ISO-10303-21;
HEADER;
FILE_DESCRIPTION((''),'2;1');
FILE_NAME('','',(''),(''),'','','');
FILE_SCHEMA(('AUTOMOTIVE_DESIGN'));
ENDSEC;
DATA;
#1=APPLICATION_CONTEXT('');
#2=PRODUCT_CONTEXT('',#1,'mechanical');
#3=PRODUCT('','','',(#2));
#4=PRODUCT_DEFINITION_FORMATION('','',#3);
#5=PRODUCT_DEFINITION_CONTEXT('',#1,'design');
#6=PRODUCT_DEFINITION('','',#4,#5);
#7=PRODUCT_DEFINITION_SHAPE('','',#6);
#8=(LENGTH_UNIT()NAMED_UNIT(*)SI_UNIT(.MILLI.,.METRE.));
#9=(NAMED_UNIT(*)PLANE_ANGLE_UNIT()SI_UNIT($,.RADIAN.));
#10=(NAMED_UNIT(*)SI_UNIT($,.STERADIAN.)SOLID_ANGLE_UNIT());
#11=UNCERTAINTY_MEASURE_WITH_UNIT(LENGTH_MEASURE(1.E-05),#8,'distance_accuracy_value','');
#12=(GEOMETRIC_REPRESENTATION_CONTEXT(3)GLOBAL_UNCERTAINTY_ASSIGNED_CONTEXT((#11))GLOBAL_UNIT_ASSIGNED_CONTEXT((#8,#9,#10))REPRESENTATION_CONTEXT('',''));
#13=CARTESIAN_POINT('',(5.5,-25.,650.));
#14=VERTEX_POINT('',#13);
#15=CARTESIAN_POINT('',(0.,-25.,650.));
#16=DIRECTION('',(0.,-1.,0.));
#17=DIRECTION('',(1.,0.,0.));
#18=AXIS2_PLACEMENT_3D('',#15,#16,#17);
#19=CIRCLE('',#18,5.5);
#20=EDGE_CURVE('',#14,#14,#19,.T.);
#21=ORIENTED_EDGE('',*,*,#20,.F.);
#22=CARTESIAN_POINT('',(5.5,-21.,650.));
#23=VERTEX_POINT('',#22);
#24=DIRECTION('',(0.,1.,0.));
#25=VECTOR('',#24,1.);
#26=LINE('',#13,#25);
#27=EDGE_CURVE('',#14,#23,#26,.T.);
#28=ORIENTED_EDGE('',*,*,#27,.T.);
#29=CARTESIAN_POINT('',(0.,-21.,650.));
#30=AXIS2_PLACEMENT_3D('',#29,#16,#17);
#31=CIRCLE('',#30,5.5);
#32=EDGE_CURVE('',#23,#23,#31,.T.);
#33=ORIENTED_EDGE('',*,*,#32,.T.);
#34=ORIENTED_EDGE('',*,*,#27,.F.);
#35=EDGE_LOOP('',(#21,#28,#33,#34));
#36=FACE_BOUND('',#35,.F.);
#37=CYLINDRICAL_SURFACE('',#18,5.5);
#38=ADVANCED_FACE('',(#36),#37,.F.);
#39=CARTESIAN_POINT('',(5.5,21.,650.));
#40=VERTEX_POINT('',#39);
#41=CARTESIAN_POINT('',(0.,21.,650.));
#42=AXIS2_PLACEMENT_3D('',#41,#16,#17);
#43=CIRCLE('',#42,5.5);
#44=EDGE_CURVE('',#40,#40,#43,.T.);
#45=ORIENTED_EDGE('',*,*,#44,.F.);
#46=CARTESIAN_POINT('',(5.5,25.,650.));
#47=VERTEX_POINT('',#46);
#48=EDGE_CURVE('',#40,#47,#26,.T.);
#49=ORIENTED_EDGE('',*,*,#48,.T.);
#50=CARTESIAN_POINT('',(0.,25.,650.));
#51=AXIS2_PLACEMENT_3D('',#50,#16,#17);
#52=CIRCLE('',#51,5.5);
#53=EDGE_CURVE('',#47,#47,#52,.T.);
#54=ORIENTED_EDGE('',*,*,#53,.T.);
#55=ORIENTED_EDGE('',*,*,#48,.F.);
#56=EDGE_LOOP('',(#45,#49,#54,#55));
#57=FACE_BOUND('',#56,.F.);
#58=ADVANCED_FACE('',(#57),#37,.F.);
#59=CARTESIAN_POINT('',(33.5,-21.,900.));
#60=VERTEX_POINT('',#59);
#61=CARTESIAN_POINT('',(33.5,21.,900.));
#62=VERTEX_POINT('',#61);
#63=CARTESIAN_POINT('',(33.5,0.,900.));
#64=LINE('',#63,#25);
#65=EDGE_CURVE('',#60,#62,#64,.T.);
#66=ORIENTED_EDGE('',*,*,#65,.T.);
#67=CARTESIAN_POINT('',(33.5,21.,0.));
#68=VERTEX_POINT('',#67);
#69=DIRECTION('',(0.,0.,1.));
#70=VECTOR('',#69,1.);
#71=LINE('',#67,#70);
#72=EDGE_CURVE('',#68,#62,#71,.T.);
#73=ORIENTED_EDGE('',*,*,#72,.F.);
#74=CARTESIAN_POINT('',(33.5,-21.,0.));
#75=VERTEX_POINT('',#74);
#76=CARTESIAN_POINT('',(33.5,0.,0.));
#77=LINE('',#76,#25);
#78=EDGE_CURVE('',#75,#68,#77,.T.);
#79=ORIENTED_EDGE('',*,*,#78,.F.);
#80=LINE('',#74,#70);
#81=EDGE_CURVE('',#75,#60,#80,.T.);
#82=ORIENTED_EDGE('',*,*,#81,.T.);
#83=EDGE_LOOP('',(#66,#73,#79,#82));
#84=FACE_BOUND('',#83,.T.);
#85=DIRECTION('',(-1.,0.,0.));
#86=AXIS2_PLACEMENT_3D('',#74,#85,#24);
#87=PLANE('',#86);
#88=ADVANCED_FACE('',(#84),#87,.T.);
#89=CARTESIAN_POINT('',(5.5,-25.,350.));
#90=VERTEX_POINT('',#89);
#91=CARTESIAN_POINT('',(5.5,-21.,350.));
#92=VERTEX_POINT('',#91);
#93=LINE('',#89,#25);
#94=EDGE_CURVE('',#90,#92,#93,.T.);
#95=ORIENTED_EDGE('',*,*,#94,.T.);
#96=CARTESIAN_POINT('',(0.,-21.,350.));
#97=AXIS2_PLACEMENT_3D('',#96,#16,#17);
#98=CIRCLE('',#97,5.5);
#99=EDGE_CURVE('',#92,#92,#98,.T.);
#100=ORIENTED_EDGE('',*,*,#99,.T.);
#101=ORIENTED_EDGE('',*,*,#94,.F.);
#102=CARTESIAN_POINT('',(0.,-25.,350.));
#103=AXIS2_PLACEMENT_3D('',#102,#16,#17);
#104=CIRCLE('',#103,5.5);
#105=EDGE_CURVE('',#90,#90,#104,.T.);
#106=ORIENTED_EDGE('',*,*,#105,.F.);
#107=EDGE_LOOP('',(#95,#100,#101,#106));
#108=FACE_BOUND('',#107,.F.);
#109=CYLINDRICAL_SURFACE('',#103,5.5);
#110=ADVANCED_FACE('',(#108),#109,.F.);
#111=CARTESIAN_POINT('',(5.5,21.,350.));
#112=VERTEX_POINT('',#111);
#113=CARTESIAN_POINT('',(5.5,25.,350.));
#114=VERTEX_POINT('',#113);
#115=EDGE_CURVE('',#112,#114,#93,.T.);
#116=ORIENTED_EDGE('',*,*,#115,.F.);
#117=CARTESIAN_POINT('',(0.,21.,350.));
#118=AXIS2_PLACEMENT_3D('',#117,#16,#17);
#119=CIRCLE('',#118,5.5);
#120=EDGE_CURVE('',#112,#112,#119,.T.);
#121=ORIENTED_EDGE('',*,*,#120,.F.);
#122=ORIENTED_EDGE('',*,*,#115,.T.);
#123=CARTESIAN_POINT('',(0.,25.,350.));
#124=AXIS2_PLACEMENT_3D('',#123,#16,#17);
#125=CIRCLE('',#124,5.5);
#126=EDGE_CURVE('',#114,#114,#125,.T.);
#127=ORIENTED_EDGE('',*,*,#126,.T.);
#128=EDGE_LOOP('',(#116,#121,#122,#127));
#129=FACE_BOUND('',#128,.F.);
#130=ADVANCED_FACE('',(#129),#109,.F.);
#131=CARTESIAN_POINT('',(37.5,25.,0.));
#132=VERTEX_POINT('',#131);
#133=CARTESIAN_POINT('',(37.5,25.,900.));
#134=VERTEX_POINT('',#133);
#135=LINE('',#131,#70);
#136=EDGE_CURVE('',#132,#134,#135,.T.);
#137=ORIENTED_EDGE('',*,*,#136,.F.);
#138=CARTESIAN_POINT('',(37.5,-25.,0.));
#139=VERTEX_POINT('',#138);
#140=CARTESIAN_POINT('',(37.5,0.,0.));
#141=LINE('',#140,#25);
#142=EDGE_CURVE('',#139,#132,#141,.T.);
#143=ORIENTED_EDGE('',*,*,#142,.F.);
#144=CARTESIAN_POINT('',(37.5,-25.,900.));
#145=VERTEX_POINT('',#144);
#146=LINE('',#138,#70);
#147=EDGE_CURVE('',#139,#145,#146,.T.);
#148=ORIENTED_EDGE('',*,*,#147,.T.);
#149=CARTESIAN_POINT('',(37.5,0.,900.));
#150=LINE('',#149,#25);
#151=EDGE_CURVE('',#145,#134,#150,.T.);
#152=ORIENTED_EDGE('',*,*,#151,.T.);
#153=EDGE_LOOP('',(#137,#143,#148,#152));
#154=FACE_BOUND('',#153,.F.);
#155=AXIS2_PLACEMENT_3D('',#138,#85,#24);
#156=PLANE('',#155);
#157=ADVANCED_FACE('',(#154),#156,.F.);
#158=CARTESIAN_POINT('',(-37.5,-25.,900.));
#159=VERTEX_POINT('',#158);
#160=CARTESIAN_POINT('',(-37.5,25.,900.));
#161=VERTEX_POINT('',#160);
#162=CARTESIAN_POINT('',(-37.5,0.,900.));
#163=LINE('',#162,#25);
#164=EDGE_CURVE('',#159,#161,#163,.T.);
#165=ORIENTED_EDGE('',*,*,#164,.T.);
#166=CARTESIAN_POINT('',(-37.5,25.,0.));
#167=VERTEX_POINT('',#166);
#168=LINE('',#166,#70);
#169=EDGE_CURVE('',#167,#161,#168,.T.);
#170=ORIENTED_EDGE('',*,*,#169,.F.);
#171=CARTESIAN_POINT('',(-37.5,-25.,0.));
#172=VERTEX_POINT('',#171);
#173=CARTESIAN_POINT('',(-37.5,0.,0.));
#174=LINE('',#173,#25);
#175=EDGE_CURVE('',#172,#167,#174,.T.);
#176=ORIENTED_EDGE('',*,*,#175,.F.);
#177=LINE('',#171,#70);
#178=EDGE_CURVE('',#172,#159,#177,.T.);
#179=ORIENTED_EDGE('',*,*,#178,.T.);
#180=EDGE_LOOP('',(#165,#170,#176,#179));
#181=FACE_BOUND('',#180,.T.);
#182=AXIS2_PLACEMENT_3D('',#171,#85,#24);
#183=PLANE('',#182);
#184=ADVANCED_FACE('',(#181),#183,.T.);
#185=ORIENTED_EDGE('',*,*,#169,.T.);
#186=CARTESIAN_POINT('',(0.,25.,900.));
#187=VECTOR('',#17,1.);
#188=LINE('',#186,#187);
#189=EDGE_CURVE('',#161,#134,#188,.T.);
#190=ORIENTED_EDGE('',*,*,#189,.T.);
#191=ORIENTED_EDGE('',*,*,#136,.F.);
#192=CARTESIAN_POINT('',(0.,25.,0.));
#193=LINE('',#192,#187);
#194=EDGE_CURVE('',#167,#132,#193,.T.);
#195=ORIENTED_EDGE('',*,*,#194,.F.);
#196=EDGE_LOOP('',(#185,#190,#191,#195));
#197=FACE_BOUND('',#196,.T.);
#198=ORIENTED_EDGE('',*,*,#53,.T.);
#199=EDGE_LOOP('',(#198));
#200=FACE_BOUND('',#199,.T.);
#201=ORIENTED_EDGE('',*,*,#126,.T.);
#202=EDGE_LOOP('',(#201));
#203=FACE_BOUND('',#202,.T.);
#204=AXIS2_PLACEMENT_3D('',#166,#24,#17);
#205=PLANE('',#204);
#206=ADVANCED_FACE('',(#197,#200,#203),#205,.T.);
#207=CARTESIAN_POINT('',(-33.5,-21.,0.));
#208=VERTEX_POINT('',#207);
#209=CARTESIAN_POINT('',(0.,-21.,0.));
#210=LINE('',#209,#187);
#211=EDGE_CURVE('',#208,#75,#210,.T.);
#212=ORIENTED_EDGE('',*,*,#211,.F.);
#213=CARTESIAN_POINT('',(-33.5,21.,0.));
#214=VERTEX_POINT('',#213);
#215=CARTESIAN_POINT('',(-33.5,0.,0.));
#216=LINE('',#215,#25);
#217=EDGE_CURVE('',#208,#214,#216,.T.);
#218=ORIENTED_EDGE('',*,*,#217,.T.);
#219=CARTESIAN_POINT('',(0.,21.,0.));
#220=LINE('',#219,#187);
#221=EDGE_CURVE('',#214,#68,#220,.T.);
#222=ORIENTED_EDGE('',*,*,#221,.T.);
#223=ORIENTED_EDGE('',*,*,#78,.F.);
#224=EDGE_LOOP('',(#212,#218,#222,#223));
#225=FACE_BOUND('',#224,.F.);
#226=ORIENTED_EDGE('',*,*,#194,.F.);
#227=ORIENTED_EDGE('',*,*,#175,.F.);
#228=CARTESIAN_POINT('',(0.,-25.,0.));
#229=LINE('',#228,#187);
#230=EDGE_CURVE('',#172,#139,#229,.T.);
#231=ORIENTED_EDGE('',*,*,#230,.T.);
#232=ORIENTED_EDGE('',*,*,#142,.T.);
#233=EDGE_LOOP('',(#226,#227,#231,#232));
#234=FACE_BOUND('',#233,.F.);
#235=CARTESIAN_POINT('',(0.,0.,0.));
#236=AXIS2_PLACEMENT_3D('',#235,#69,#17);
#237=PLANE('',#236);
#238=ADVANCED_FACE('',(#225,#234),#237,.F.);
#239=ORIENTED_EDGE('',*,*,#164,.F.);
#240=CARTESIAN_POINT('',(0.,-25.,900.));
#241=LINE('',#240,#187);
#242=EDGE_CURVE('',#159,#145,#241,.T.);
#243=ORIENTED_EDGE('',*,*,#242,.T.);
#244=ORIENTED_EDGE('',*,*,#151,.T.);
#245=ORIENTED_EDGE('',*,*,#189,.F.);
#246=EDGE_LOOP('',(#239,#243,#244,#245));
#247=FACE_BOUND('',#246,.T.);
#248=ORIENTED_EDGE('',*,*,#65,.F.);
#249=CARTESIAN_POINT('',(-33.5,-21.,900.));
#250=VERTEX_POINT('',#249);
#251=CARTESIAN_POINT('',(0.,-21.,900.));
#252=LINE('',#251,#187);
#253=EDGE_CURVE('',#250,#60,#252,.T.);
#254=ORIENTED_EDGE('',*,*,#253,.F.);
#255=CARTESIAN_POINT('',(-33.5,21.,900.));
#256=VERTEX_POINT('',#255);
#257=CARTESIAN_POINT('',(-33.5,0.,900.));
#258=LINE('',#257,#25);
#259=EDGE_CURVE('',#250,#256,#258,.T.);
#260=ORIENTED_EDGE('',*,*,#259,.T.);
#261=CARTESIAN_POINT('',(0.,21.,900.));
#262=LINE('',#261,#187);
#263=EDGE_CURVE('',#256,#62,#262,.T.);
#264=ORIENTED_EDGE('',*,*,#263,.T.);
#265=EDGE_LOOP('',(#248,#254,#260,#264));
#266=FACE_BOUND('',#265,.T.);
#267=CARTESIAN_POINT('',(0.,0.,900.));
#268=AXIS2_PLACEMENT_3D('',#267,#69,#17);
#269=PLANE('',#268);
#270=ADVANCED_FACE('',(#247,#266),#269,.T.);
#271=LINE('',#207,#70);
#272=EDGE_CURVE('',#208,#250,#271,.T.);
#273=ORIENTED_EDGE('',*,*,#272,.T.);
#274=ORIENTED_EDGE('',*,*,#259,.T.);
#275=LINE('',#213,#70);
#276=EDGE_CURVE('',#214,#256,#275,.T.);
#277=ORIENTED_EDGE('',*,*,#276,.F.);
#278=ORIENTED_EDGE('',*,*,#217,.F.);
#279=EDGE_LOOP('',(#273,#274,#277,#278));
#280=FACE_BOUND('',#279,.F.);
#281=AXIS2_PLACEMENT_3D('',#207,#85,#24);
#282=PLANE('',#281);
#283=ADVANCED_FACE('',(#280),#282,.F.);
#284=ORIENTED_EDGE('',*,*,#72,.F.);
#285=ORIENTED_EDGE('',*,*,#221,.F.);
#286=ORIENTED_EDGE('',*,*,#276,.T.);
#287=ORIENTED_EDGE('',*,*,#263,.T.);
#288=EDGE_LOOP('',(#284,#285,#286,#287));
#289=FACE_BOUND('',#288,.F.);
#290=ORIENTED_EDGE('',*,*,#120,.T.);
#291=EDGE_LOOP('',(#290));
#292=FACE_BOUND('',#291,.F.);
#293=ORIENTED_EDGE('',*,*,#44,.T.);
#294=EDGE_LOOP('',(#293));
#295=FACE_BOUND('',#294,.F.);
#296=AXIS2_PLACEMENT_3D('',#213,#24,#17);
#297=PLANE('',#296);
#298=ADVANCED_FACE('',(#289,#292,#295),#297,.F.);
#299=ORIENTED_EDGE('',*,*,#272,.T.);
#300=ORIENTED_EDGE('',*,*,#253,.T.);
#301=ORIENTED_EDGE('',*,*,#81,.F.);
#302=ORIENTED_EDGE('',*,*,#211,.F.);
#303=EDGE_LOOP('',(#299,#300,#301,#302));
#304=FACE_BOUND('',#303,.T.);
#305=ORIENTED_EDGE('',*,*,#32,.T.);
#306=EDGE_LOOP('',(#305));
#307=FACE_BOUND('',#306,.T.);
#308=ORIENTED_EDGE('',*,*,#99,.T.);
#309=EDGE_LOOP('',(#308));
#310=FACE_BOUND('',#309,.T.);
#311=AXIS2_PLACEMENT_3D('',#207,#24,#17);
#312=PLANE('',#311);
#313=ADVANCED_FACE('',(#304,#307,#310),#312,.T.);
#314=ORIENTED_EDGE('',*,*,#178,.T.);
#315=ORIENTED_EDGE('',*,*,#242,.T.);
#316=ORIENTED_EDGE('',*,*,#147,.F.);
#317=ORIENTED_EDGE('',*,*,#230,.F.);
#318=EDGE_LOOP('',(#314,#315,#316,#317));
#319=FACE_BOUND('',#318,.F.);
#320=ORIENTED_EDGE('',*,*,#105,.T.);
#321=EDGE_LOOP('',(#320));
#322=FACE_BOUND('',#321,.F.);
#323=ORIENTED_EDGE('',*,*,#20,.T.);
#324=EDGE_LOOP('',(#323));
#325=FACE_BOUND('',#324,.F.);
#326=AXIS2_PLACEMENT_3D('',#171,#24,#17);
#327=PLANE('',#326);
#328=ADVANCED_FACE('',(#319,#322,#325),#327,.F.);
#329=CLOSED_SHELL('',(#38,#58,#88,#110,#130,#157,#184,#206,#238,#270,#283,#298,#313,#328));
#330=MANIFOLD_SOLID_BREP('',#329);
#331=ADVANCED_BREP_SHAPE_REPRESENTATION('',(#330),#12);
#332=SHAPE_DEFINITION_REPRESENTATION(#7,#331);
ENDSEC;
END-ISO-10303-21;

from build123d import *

# Parameters (mm, degrees)
F0_W     = 75
F0_H     = 50
F0_W_2   = 67
F0_H_2   = 42
F1_DEPTH = 900
F2_R     = 5.5
F3_DEPTH = 50


with BuildPart() as f1:
    # F0 (on Top) → F1 (new body)
    with BuildSketch(Plane.XY):
        Rectangle(F0_W, F0_H)
        Rectangle(F0_W_2, F0_H_2, mode=Mode.SUBTRACT)
    extrude(amount=F1_DEPTH)

    # F2 (on face) → F3 (cut)
    with BuildSketch(Plane.XZ.offset(25)):
        with Locations((0, 350)):
            Circle(F2_R)
        with Locations((0, 650)):
            Circle(F2_R)
    extrude(amount=-F3_DEPTH, mode=Mode.SUBTRACT)


solid = f1.part
